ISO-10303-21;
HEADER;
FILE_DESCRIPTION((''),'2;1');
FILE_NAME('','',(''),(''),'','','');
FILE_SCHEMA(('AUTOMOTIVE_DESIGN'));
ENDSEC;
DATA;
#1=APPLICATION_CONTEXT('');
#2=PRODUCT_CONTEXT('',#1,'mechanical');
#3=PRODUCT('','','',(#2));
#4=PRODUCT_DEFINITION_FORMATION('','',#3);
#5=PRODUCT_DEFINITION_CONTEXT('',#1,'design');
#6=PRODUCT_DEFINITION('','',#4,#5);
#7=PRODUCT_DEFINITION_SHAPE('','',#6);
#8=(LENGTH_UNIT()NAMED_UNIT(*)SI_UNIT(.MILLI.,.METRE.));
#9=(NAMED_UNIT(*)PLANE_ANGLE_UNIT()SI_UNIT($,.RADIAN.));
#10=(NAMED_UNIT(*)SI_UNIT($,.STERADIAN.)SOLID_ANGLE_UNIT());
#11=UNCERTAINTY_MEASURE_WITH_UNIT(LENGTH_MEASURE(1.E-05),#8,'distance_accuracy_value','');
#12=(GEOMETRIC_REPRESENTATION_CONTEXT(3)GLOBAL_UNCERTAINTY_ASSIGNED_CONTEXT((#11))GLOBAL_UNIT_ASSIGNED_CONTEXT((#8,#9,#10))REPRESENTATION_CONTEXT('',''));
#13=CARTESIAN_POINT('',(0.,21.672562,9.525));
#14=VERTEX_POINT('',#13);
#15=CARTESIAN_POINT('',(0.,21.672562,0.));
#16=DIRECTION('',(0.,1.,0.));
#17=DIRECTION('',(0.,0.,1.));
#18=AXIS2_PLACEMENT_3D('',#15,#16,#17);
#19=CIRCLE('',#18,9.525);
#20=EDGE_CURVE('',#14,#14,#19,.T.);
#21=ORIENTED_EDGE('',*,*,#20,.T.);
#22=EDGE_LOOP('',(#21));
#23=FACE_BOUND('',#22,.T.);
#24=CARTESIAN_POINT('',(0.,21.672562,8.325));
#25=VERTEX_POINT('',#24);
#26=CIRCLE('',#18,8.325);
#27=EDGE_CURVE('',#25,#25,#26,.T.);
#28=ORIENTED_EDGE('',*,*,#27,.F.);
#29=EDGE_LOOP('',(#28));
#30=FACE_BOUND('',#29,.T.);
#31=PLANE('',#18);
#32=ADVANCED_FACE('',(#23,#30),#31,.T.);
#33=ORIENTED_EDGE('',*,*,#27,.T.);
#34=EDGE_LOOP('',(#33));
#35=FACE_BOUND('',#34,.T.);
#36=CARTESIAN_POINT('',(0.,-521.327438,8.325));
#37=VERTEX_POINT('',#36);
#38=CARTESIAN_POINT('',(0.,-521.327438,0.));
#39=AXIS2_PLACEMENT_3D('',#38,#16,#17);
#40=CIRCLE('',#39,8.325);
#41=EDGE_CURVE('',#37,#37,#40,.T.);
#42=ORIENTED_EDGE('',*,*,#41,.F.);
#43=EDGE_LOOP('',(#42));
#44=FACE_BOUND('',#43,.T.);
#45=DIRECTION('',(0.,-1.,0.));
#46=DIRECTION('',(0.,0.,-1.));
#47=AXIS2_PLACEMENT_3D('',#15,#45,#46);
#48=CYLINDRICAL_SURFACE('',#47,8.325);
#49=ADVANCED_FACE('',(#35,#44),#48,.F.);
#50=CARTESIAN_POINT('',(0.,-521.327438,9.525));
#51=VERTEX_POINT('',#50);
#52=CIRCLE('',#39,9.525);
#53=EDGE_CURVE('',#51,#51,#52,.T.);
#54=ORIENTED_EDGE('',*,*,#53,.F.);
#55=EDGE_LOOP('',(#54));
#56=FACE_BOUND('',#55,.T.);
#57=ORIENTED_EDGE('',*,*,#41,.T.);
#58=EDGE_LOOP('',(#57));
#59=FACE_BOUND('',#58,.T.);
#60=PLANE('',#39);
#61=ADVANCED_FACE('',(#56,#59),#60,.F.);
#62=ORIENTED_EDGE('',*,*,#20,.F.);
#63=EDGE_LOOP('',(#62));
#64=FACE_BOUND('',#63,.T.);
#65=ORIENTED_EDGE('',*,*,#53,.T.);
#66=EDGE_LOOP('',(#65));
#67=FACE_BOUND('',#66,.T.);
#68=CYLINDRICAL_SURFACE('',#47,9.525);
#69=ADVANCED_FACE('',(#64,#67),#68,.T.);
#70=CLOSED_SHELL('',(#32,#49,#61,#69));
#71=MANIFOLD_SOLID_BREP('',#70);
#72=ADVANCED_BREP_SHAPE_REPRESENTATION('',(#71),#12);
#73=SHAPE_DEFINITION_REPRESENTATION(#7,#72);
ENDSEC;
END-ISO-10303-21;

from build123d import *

# Parameters (mm, degrees)
SKETCH1_R      = 9.525
SKETCH1_R_2    = 8.325
EXTRUDE1_DEPTH = 543


with BuildPart() as part:
    # Sketch1 → Extrude1 (new body)
    with BuildSketch(Plane(origin=(0, -521.327437838, 0), x_dir=(1, 0, 0), z_dir=(0, 1, 0))):
        Circle(SKETCH1_R)
        Circle(SKETCH1_R_2, mode=Mode.SUBTRACT)
    extrude(amount=EXTRUDE1_DEPTH)


solid = part.part
